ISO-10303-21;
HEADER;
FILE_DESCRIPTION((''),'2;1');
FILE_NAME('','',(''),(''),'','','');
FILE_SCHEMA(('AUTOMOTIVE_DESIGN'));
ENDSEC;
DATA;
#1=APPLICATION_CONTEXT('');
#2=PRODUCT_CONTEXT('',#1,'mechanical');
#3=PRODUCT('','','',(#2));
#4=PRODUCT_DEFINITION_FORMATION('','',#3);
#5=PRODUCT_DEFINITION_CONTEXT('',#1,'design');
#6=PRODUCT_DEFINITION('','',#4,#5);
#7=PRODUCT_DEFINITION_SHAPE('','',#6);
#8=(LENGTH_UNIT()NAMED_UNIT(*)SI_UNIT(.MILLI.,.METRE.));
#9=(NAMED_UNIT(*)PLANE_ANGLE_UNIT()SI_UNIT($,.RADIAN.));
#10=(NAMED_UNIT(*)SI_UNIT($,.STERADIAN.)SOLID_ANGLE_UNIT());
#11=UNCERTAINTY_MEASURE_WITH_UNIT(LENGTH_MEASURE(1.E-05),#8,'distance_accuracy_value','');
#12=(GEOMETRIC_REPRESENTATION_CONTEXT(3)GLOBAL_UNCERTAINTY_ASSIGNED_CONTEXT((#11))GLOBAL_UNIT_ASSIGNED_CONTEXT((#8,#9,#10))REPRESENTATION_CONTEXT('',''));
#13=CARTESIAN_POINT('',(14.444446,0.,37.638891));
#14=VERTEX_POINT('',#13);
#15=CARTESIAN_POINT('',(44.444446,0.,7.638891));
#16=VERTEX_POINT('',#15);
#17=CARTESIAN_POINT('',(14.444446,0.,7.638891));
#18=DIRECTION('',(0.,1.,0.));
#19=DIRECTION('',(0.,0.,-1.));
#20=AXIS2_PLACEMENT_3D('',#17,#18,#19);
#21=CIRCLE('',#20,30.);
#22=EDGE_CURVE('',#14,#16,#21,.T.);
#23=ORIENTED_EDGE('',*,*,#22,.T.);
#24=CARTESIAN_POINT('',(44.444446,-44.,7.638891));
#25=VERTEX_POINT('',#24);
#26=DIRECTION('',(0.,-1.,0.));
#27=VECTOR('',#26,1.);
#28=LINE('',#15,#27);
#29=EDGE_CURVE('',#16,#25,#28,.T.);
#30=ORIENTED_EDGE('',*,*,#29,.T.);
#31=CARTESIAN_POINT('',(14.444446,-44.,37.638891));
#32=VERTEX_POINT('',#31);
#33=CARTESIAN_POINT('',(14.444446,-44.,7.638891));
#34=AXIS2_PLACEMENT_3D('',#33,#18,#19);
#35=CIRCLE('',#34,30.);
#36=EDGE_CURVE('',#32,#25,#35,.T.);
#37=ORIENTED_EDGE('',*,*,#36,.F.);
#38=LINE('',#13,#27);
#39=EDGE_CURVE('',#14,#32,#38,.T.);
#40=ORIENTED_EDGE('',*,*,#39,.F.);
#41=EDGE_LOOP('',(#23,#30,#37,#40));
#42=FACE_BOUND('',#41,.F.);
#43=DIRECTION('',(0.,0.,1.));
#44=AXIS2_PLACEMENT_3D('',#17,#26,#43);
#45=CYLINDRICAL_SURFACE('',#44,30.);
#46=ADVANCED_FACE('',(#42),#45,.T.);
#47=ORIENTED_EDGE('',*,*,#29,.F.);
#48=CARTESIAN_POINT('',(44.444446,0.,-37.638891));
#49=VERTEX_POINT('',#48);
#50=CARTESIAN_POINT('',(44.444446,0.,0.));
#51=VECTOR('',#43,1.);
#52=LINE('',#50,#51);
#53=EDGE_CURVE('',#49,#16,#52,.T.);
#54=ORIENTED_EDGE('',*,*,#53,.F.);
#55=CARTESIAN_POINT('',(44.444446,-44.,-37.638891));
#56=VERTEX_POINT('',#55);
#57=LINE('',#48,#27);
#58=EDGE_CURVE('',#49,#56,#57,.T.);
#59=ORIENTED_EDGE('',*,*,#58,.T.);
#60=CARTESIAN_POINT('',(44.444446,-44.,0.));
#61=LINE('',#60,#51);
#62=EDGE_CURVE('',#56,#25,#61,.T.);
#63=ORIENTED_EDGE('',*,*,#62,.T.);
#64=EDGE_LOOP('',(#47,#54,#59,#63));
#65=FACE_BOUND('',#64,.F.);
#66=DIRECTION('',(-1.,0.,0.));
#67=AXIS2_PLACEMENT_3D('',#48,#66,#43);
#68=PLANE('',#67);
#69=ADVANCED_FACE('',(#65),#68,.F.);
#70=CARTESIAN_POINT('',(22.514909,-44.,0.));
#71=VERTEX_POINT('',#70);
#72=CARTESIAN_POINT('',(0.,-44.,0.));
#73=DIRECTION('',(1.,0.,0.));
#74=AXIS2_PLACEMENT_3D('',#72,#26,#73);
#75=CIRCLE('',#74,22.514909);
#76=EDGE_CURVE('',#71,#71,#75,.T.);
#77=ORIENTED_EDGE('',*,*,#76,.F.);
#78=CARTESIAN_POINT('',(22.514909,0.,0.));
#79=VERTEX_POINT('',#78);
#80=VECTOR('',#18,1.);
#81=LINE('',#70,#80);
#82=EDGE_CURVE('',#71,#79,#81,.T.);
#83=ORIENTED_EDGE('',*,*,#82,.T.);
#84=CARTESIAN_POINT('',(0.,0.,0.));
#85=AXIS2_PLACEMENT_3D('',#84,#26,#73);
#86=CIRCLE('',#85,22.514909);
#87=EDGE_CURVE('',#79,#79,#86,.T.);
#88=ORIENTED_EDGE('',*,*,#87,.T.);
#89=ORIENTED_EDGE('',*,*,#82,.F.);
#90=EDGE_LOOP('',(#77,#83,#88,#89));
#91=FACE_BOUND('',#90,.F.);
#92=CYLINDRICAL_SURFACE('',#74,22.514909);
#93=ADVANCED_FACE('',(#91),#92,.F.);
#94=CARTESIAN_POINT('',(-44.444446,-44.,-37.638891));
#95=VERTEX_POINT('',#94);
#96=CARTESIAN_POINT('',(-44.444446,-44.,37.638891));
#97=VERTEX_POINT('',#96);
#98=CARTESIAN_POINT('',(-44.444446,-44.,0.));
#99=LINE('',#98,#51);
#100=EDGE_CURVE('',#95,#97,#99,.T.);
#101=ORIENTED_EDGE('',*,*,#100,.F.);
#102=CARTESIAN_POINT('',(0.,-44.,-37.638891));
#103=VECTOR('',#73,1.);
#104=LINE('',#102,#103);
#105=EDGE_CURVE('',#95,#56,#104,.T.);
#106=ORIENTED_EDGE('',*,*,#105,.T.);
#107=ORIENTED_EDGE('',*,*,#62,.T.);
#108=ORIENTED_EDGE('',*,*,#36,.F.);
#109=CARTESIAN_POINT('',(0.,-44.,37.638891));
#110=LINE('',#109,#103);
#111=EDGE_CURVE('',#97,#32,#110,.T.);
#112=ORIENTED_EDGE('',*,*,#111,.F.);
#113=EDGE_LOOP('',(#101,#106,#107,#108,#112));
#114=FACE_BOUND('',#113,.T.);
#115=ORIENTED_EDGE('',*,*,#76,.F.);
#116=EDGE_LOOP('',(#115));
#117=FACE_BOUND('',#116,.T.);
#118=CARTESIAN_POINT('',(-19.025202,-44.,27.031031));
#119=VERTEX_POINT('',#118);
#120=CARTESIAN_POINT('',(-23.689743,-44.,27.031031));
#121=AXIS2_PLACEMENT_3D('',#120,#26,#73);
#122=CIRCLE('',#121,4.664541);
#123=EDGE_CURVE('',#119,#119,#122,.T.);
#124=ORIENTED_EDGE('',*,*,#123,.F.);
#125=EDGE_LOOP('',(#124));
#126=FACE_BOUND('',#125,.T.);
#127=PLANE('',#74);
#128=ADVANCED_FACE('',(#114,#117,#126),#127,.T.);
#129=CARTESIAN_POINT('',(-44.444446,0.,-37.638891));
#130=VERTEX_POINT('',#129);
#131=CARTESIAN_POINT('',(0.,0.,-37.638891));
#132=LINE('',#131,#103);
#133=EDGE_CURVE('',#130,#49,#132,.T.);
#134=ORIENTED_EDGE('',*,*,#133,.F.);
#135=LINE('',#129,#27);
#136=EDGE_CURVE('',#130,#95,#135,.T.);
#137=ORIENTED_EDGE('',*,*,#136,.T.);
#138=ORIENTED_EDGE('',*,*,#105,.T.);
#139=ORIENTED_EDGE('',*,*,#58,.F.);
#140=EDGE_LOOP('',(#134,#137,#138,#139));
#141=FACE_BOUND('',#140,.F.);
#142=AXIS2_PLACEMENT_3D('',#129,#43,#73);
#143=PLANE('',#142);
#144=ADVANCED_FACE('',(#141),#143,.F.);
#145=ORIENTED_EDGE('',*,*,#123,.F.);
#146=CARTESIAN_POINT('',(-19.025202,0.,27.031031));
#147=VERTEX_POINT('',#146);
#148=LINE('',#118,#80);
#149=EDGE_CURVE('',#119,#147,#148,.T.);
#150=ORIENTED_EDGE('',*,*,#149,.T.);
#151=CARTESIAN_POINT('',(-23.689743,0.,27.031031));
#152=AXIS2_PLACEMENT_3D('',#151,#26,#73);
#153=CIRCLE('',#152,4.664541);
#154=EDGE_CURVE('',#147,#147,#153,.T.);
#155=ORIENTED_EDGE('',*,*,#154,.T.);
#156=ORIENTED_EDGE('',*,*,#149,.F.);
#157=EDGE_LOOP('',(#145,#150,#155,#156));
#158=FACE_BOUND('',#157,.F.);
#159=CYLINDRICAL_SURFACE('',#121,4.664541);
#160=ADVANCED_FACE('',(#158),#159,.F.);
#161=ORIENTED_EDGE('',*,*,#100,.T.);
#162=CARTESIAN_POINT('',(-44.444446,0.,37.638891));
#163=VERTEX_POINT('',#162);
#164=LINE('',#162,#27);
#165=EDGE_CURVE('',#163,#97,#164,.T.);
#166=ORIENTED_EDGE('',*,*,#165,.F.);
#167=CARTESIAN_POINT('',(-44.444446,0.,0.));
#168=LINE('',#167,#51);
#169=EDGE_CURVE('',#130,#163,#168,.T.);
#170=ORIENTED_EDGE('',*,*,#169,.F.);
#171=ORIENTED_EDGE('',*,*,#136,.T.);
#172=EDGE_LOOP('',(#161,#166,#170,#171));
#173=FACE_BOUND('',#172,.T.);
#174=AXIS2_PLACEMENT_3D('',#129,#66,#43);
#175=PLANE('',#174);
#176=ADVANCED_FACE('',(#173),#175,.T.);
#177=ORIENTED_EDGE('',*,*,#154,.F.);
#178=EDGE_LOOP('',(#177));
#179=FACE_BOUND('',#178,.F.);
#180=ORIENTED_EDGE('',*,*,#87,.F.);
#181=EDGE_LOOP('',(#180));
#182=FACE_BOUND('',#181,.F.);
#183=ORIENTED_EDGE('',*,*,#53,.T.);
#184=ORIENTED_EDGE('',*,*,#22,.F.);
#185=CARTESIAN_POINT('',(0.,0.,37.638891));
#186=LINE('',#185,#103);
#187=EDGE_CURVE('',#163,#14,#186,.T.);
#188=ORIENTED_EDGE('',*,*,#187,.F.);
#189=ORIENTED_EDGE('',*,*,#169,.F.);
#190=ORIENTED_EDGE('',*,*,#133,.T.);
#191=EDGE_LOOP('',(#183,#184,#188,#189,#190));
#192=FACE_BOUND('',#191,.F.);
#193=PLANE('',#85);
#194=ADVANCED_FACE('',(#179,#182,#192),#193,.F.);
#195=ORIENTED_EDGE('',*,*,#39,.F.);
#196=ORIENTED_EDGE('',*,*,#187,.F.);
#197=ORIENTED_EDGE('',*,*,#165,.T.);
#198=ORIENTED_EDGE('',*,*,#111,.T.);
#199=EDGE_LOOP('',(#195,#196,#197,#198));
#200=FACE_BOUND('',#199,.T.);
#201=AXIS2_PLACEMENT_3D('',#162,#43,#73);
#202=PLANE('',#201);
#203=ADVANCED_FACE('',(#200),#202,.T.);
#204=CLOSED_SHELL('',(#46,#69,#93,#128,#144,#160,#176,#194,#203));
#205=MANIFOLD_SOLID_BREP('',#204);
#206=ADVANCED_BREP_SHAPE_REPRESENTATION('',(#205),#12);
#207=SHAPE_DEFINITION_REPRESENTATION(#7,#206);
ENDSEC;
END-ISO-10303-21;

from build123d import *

# Parameters (mm, degrees)
F0_W     = 88.888892
F0_H     = 75.277782
F1_DEPTH = 44
F2_R     = 22.514909
F3_DEPTH = 44.001
F4_R     = 4.664541
F5_DEPTH = 44.001
F6_R     = 30


with BuildPart() as f1:
    # F0 (on Front) → F1 (new body)
    with BuildSketch(Plane.XZ):
        Rectangle(F0_W, F0_H)
    extrude(amount=F1_DEPTH)

    # F2 (on face) → F3 (cut, through all)
    with BuildSketch(Plane.XZ.offset(44)):
        Circle(F2_R)
    extrude(amount=-F3_DEPTH, mode=Mode.SUBTRACT)

    # F4 (on face) → F5 (cut, through all)
    with BuildSketch(Plane.XZ.offset(44)):
        with Locations((-23.689743, 27.031031)):
            Circle(F4_R)
    extrude(amount=-F5_DEPTH, mode=Mode.SUBTRACT)

    # F6
    f6_edges = [f1.edges().sort_by_distance(p)[0] for p in [
        (44.444446, -22, 37.638891),
    ]]
    fillet(f6_edges, radius=F6_R)


solid = f1.part
